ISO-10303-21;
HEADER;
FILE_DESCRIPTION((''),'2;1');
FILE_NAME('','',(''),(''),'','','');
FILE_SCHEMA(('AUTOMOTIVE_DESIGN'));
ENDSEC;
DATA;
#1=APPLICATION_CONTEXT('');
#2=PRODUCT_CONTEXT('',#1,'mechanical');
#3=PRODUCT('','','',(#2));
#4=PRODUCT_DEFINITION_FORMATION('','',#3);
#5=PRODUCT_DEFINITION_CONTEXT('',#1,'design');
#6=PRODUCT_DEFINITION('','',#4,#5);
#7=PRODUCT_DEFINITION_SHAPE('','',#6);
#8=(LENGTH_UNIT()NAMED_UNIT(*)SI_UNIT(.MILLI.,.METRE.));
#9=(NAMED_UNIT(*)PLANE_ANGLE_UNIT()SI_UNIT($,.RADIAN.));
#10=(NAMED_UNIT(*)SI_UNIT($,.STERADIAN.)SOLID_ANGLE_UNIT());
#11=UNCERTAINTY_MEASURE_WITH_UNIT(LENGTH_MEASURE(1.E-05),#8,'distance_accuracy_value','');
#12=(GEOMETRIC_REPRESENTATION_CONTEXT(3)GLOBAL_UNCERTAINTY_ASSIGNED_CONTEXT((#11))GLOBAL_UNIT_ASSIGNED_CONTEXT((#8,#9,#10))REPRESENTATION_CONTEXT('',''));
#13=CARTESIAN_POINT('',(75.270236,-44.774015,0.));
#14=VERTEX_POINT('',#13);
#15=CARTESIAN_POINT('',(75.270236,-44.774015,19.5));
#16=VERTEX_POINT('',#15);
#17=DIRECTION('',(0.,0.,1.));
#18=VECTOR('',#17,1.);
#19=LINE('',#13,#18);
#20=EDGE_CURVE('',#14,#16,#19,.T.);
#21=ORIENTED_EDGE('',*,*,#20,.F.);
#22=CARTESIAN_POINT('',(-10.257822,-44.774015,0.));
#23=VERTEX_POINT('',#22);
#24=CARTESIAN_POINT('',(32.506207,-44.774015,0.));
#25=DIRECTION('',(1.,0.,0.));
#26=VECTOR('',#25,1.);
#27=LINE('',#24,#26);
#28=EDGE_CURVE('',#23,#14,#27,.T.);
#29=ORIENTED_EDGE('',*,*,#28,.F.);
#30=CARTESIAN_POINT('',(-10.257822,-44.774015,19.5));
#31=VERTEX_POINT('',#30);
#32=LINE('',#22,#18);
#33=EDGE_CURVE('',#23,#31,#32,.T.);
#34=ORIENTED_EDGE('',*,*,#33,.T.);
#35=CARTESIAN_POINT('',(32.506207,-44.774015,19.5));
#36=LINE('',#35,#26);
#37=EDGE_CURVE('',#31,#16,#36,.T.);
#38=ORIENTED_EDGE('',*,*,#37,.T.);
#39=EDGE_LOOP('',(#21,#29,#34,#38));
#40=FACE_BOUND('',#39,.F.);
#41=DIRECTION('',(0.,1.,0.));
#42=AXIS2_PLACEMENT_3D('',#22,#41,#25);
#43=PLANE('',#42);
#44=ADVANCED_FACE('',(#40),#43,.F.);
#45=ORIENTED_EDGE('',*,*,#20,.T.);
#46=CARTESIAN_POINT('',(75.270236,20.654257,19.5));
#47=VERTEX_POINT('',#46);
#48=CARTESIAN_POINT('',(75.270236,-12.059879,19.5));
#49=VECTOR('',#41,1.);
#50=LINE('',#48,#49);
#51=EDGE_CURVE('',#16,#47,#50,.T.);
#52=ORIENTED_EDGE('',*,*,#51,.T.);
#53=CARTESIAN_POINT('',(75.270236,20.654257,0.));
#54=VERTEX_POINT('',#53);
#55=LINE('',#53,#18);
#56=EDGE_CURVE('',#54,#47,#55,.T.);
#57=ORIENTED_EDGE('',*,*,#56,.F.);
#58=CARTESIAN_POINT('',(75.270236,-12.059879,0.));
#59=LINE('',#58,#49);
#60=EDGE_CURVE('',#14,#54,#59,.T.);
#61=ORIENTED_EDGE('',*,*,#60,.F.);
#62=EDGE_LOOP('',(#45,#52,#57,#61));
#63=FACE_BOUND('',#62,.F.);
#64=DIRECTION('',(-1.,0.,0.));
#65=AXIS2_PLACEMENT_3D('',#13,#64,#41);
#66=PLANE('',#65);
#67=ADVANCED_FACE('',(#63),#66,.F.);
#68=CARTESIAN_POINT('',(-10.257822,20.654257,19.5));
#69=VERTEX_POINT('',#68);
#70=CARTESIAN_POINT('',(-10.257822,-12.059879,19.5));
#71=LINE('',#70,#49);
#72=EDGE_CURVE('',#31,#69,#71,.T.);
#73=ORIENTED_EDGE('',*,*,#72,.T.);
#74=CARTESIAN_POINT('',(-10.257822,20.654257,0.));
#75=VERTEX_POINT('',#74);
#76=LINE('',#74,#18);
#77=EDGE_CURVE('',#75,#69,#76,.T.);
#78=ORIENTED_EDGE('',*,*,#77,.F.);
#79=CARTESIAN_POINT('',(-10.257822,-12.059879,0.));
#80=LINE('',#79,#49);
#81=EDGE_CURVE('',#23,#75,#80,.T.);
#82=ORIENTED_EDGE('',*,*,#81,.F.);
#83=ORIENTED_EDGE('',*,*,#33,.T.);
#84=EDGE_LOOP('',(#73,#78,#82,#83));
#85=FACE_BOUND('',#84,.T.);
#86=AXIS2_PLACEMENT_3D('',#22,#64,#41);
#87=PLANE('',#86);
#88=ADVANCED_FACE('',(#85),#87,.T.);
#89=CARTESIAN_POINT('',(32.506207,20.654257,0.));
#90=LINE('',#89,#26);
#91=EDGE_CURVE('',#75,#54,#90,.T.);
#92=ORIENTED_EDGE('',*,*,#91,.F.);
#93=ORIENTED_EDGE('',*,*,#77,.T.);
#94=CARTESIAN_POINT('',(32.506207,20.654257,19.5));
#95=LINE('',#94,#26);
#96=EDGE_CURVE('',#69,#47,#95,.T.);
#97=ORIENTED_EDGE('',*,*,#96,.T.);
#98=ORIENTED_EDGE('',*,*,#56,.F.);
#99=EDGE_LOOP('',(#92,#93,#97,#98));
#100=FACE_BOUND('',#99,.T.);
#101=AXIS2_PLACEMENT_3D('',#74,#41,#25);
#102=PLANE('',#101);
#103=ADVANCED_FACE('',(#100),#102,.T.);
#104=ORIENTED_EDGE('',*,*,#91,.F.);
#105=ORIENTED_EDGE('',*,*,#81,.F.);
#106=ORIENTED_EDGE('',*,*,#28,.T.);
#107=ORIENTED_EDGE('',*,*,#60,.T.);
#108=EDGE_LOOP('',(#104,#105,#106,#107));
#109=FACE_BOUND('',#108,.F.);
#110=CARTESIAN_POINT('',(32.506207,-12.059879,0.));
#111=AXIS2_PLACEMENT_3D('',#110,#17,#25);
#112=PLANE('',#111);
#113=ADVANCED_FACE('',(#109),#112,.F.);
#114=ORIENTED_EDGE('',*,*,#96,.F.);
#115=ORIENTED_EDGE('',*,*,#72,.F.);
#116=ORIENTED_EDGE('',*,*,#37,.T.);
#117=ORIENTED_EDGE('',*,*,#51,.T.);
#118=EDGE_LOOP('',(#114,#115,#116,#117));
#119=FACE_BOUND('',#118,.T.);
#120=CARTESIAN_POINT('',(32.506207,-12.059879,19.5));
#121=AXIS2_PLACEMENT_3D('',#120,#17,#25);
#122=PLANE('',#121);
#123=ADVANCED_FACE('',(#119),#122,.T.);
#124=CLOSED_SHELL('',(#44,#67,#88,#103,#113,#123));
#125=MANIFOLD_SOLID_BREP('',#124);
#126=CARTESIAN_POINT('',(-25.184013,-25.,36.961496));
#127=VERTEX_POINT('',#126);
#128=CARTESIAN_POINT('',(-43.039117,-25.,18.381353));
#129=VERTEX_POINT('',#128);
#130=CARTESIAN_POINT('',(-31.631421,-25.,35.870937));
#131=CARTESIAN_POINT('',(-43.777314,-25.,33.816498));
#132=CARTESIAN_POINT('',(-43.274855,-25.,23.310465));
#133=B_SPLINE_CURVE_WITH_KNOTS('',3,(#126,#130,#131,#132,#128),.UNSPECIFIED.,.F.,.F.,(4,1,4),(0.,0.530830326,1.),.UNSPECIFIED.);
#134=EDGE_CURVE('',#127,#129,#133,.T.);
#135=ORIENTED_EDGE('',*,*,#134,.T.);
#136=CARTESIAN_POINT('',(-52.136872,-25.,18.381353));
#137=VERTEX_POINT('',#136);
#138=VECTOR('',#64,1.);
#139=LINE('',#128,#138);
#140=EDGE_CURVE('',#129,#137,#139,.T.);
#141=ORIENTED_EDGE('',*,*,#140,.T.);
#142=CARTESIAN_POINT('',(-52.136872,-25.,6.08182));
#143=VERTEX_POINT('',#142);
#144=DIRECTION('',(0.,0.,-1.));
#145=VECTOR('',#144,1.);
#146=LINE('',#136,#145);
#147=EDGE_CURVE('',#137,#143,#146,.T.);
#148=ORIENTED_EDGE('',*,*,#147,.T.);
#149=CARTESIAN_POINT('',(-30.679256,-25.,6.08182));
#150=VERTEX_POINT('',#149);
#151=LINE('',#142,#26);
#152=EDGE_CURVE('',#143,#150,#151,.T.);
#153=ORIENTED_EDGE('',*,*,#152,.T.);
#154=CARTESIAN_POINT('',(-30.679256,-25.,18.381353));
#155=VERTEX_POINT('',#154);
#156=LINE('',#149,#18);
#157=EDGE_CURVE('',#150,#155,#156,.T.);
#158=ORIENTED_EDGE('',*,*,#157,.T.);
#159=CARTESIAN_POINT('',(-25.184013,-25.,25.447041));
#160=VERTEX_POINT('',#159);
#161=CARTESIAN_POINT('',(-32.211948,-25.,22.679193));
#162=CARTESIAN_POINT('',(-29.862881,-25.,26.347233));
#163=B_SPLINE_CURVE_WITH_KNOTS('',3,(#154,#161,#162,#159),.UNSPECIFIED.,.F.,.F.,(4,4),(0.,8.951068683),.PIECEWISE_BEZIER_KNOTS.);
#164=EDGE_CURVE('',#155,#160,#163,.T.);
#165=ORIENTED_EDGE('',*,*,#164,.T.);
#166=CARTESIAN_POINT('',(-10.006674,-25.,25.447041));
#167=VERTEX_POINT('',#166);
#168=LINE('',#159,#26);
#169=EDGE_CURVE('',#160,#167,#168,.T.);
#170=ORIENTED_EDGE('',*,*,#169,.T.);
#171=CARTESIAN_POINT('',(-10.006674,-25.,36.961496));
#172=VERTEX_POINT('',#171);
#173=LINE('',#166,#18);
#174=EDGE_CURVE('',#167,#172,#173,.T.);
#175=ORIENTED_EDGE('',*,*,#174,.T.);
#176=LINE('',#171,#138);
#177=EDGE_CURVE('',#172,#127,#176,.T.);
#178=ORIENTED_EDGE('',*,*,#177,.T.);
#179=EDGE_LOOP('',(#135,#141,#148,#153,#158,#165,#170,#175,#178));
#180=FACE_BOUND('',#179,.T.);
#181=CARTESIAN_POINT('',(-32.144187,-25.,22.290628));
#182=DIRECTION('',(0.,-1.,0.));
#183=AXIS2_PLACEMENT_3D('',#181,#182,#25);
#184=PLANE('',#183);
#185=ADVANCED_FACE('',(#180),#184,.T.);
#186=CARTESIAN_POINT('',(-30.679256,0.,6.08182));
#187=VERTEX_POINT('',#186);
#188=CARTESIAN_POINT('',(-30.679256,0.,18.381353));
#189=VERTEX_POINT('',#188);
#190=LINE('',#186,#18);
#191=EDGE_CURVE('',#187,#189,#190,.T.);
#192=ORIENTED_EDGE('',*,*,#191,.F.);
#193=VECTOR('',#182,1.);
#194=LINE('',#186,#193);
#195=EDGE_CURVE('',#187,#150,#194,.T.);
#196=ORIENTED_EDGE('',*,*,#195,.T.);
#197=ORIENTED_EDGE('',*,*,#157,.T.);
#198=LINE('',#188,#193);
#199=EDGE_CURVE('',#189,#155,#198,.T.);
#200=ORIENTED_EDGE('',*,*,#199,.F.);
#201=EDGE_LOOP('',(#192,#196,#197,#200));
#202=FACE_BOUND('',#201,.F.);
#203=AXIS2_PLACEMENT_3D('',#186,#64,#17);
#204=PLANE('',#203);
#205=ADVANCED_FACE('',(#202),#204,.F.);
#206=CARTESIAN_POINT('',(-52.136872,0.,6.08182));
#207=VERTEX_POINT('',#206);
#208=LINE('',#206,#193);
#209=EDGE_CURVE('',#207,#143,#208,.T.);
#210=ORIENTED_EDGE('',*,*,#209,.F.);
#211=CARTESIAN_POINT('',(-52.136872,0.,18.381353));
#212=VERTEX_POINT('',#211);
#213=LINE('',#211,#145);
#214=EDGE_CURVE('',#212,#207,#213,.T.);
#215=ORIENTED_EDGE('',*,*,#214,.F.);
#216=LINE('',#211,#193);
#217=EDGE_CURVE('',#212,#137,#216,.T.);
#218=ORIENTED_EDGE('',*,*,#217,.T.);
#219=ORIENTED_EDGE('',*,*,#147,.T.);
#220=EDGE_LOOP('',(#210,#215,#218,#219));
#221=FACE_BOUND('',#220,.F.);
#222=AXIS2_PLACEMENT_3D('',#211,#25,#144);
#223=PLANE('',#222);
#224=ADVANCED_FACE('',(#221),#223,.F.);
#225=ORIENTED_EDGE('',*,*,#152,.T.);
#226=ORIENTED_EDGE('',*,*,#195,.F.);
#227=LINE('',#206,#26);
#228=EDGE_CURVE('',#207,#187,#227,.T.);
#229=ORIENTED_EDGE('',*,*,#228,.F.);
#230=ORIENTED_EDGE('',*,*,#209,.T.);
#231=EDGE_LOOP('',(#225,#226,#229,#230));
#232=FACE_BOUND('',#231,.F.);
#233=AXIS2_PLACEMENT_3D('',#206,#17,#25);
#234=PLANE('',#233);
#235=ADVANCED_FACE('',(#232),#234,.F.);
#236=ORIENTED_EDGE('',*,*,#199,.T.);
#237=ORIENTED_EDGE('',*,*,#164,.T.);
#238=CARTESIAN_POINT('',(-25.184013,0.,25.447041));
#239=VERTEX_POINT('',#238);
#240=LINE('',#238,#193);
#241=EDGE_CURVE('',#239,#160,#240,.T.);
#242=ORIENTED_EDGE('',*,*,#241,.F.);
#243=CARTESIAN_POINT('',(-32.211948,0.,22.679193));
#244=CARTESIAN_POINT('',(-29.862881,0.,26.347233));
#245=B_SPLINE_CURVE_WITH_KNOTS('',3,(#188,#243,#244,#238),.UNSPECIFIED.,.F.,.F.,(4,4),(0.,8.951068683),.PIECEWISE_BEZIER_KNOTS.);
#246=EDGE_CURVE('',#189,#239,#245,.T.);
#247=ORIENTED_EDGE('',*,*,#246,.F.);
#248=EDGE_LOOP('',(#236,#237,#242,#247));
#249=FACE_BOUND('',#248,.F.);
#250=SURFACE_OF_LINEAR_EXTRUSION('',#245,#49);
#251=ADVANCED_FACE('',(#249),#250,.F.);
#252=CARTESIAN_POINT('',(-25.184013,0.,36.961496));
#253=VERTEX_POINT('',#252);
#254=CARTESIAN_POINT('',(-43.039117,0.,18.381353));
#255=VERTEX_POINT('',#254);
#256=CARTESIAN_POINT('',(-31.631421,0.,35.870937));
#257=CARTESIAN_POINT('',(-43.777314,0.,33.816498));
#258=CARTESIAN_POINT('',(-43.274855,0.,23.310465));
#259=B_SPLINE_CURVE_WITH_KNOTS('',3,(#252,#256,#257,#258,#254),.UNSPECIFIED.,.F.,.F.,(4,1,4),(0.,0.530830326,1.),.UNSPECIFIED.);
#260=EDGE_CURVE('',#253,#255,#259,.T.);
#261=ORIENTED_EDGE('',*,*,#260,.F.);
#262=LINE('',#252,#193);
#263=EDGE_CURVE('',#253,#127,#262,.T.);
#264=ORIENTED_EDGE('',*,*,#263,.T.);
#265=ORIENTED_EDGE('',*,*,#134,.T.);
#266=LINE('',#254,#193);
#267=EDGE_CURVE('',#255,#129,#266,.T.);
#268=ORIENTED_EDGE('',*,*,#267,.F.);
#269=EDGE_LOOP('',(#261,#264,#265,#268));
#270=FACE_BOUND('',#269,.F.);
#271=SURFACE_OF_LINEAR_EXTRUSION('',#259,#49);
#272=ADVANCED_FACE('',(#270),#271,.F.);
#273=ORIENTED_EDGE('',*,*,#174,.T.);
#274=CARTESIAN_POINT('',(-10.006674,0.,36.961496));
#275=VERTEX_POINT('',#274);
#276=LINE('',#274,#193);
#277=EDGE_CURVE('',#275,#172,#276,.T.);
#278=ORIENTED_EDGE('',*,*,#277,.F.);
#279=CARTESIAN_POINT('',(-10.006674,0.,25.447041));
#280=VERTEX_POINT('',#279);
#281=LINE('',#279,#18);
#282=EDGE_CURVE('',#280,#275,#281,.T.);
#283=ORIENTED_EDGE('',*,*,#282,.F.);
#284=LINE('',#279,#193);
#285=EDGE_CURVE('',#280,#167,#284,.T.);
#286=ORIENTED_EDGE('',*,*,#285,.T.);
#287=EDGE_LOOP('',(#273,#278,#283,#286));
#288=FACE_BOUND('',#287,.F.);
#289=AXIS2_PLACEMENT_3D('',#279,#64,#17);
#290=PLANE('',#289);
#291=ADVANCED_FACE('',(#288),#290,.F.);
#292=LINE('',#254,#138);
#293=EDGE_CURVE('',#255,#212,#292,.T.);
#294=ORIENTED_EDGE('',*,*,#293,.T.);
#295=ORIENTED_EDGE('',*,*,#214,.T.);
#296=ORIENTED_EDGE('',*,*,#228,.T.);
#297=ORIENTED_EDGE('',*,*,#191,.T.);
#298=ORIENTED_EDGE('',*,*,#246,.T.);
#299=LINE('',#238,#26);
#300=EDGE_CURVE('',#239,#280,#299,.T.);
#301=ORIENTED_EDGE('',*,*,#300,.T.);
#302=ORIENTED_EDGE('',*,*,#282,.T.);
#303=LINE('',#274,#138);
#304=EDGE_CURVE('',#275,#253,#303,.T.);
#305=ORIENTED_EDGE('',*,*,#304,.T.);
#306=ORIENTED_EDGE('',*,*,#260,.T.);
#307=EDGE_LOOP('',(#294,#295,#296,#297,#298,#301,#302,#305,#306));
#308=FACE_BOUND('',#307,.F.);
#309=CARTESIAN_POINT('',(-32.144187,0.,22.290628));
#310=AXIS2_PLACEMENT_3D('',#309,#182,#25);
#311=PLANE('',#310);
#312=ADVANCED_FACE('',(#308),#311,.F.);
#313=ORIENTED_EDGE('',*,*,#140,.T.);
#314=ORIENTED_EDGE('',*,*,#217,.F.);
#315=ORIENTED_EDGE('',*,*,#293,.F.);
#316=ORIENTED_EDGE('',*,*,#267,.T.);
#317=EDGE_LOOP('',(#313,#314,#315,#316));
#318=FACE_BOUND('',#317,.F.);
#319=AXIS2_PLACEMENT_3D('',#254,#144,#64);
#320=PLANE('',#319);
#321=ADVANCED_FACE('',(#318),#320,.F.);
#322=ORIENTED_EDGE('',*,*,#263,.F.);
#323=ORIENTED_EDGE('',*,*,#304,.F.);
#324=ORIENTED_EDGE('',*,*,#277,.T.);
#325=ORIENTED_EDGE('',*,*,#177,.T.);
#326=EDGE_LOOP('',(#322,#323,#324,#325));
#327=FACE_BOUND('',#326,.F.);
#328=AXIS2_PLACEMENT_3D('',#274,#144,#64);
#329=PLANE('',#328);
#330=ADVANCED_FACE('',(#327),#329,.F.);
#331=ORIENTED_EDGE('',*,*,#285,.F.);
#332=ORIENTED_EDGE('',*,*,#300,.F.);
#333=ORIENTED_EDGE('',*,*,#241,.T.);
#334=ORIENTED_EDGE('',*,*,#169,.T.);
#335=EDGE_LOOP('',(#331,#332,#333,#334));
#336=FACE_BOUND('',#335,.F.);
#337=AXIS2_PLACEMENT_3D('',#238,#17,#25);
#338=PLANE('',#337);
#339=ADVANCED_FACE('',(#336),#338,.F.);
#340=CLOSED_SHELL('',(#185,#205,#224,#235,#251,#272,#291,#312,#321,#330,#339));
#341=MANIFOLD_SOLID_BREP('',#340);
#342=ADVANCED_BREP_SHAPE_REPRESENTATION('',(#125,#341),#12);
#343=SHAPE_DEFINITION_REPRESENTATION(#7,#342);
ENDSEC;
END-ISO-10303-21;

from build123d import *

# Parameters (mm, degrees)
F1_DEPTH = 25
F2_W     = 85.5280570686
F2_H     = 65.4282718897
F3_DEPTH = 19.5


with BuildPart() as f1:
    # F0 (on Front) → F1 (new body)
    with BuildSketch(Plane.XZ):
        with BuildLine():
            Line((-52.1368719637, 18.3813534677), (-52.1368719637, 6.08182))
            Line((-52.1368719637, 6.08182), (-30.679255724, 6.08182))
            Line((-30.679255724, 6.08182), (-30.679255724, 18.3813534677))
            add(Edge.make_bspline(
                [(-30.679255724, 18.3813534677), (-32.2119481862, 22.6791929454), (-29.8628807068, 26.3472329825), (-25.1840129495, 25.4470407963)],
                knots=[0, 0, 0, 0, 8.9510686834, 8.9510686834, 8.9510686834, 8.9510686834], degree=3))
            Line((-25.1840129495, 25.4470407963), (-10.0066736341, 25.4470407963))
            Line((-10.0066736341, 25.4470407963), (-10.0066736341, 36.9614958763))
            Line((-10.0066736341, 36.9614958763), (-25.1840129495, 36.9614958763))
            add(Edge.make_bspline(
                [(-25.1840129495, 36.9614958763), (-31.6314211359, 35.8709373617), (-43.7773138453, 33.8164983797), (-43.2748553138, 23.3104654925), (-43.0391170084, 18.3813534677)],
                knots=[0, 0, 0, 0, 0.530830326, 1, 1, 1, 1], degree=3))
            Line((-43.0391170084, 18.3813534677), (-52.1368719637, 18.3813534677))
        make_face()
    extrude(amount=F1_DEPTH)


with BuildPart() as f3:
    # F2 (on Top) → F3 (new body)
    with BuildSketch(Plane.XY):
        with Locations((32.5062070042, -12.0598785579)):
            Rectangle(F2_W, F2_H)
    extrude(amount=F3_DEPTH)


solid = Compound([f1.part, f3.part])
